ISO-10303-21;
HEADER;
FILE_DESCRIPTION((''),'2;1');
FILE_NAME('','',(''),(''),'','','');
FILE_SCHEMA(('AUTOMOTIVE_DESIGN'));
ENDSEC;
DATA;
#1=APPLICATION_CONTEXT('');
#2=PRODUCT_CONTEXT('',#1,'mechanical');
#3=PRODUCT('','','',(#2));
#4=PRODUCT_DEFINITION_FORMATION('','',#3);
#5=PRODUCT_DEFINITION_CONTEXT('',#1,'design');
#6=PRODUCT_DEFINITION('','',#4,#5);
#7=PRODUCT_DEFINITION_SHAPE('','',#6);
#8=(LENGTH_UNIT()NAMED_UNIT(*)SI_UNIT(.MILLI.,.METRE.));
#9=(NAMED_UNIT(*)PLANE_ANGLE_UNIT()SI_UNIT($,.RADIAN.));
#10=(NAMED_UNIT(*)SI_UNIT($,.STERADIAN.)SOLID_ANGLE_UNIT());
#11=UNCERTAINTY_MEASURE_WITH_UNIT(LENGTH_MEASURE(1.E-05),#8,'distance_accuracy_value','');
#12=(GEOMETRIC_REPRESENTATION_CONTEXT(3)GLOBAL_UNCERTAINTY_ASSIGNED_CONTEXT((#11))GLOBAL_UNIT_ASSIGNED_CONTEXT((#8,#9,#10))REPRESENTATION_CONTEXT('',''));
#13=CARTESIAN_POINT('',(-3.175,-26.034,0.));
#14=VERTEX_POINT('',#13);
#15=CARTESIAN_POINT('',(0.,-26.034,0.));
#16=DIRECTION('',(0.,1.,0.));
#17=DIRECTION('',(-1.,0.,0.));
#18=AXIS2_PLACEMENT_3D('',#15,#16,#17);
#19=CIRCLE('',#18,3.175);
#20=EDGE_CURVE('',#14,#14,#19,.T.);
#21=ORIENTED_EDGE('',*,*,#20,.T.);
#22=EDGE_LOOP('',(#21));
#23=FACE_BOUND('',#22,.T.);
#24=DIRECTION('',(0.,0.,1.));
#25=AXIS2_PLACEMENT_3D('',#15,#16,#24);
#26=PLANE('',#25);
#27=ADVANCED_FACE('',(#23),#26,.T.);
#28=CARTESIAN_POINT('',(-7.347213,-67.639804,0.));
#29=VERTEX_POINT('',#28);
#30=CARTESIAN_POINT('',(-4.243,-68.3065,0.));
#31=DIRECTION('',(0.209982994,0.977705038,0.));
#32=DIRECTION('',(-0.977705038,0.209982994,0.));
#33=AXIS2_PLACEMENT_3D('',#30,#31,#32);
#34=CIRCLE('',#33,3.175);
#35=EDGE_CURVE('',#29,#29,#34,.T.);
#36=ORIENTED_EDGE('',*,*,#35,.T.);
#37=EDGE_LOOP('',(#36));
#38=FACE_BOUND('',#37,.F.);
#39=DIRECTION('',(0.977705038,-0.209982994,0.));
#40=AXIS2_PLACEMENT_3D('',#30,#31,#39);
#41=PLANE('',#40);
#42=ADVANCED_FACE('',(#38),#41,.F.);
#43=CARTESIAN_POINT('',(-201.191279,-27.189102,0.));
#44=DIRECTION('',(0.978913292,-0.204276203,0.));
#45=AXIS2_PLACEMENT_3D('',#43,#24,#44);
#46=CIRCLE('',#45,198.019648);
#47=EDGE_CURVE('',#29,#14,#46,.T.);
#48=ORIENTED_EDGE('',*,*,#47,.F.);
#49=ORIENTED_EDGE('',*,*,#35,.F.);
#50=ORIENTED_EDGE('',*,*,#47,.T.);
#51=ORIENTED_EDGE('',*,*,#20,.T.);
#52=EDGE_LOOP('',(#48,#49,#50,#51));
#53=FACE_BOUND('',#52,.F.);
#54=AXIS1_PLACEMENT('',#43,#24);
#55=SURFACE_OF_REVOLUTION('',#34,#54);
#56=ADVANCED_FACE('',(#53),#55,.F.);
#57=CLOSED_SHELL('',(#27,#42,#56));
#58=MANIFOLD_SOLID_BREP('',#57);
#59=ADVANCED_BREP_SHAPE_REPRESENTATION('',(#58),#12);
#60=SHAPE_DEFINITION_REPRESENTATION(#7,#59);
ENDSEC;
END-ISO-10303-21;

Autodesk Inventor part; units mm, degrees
ref_plane "YZ Plane" through (0, 0, 0) normal (1, 0, 0) x (0, 1, 0)
ref_plane "XY Plane" through (0, 0, 0) normal (0, 0, 1) x (1, 0, 0)
sketch "Sketch1" plane through (0, 0, 0) normal (0, 0, 1) x (1, 0, 0)
  arc A0 (-4.243, -68.3065) -> (0, -26.034) centre (-201.1874, -27.1897) ccw
  point P0 (0, 0)
ref_plane "Work Plane1" through (0, -26.034, 0) normal (0, 1, 0) x (-1, 0, 0)
sketch "Sketch2" plane through (0, -26.034, 0) normal (0, 1, 0) x (-1, 0, 0)
  circle A0 centre (0, 0) radius 3.175
  dimension "d0" = 6.35
sweep "Sweep1" add profiles "Sketch2" path "Sketch1"
properties part number "wire"
